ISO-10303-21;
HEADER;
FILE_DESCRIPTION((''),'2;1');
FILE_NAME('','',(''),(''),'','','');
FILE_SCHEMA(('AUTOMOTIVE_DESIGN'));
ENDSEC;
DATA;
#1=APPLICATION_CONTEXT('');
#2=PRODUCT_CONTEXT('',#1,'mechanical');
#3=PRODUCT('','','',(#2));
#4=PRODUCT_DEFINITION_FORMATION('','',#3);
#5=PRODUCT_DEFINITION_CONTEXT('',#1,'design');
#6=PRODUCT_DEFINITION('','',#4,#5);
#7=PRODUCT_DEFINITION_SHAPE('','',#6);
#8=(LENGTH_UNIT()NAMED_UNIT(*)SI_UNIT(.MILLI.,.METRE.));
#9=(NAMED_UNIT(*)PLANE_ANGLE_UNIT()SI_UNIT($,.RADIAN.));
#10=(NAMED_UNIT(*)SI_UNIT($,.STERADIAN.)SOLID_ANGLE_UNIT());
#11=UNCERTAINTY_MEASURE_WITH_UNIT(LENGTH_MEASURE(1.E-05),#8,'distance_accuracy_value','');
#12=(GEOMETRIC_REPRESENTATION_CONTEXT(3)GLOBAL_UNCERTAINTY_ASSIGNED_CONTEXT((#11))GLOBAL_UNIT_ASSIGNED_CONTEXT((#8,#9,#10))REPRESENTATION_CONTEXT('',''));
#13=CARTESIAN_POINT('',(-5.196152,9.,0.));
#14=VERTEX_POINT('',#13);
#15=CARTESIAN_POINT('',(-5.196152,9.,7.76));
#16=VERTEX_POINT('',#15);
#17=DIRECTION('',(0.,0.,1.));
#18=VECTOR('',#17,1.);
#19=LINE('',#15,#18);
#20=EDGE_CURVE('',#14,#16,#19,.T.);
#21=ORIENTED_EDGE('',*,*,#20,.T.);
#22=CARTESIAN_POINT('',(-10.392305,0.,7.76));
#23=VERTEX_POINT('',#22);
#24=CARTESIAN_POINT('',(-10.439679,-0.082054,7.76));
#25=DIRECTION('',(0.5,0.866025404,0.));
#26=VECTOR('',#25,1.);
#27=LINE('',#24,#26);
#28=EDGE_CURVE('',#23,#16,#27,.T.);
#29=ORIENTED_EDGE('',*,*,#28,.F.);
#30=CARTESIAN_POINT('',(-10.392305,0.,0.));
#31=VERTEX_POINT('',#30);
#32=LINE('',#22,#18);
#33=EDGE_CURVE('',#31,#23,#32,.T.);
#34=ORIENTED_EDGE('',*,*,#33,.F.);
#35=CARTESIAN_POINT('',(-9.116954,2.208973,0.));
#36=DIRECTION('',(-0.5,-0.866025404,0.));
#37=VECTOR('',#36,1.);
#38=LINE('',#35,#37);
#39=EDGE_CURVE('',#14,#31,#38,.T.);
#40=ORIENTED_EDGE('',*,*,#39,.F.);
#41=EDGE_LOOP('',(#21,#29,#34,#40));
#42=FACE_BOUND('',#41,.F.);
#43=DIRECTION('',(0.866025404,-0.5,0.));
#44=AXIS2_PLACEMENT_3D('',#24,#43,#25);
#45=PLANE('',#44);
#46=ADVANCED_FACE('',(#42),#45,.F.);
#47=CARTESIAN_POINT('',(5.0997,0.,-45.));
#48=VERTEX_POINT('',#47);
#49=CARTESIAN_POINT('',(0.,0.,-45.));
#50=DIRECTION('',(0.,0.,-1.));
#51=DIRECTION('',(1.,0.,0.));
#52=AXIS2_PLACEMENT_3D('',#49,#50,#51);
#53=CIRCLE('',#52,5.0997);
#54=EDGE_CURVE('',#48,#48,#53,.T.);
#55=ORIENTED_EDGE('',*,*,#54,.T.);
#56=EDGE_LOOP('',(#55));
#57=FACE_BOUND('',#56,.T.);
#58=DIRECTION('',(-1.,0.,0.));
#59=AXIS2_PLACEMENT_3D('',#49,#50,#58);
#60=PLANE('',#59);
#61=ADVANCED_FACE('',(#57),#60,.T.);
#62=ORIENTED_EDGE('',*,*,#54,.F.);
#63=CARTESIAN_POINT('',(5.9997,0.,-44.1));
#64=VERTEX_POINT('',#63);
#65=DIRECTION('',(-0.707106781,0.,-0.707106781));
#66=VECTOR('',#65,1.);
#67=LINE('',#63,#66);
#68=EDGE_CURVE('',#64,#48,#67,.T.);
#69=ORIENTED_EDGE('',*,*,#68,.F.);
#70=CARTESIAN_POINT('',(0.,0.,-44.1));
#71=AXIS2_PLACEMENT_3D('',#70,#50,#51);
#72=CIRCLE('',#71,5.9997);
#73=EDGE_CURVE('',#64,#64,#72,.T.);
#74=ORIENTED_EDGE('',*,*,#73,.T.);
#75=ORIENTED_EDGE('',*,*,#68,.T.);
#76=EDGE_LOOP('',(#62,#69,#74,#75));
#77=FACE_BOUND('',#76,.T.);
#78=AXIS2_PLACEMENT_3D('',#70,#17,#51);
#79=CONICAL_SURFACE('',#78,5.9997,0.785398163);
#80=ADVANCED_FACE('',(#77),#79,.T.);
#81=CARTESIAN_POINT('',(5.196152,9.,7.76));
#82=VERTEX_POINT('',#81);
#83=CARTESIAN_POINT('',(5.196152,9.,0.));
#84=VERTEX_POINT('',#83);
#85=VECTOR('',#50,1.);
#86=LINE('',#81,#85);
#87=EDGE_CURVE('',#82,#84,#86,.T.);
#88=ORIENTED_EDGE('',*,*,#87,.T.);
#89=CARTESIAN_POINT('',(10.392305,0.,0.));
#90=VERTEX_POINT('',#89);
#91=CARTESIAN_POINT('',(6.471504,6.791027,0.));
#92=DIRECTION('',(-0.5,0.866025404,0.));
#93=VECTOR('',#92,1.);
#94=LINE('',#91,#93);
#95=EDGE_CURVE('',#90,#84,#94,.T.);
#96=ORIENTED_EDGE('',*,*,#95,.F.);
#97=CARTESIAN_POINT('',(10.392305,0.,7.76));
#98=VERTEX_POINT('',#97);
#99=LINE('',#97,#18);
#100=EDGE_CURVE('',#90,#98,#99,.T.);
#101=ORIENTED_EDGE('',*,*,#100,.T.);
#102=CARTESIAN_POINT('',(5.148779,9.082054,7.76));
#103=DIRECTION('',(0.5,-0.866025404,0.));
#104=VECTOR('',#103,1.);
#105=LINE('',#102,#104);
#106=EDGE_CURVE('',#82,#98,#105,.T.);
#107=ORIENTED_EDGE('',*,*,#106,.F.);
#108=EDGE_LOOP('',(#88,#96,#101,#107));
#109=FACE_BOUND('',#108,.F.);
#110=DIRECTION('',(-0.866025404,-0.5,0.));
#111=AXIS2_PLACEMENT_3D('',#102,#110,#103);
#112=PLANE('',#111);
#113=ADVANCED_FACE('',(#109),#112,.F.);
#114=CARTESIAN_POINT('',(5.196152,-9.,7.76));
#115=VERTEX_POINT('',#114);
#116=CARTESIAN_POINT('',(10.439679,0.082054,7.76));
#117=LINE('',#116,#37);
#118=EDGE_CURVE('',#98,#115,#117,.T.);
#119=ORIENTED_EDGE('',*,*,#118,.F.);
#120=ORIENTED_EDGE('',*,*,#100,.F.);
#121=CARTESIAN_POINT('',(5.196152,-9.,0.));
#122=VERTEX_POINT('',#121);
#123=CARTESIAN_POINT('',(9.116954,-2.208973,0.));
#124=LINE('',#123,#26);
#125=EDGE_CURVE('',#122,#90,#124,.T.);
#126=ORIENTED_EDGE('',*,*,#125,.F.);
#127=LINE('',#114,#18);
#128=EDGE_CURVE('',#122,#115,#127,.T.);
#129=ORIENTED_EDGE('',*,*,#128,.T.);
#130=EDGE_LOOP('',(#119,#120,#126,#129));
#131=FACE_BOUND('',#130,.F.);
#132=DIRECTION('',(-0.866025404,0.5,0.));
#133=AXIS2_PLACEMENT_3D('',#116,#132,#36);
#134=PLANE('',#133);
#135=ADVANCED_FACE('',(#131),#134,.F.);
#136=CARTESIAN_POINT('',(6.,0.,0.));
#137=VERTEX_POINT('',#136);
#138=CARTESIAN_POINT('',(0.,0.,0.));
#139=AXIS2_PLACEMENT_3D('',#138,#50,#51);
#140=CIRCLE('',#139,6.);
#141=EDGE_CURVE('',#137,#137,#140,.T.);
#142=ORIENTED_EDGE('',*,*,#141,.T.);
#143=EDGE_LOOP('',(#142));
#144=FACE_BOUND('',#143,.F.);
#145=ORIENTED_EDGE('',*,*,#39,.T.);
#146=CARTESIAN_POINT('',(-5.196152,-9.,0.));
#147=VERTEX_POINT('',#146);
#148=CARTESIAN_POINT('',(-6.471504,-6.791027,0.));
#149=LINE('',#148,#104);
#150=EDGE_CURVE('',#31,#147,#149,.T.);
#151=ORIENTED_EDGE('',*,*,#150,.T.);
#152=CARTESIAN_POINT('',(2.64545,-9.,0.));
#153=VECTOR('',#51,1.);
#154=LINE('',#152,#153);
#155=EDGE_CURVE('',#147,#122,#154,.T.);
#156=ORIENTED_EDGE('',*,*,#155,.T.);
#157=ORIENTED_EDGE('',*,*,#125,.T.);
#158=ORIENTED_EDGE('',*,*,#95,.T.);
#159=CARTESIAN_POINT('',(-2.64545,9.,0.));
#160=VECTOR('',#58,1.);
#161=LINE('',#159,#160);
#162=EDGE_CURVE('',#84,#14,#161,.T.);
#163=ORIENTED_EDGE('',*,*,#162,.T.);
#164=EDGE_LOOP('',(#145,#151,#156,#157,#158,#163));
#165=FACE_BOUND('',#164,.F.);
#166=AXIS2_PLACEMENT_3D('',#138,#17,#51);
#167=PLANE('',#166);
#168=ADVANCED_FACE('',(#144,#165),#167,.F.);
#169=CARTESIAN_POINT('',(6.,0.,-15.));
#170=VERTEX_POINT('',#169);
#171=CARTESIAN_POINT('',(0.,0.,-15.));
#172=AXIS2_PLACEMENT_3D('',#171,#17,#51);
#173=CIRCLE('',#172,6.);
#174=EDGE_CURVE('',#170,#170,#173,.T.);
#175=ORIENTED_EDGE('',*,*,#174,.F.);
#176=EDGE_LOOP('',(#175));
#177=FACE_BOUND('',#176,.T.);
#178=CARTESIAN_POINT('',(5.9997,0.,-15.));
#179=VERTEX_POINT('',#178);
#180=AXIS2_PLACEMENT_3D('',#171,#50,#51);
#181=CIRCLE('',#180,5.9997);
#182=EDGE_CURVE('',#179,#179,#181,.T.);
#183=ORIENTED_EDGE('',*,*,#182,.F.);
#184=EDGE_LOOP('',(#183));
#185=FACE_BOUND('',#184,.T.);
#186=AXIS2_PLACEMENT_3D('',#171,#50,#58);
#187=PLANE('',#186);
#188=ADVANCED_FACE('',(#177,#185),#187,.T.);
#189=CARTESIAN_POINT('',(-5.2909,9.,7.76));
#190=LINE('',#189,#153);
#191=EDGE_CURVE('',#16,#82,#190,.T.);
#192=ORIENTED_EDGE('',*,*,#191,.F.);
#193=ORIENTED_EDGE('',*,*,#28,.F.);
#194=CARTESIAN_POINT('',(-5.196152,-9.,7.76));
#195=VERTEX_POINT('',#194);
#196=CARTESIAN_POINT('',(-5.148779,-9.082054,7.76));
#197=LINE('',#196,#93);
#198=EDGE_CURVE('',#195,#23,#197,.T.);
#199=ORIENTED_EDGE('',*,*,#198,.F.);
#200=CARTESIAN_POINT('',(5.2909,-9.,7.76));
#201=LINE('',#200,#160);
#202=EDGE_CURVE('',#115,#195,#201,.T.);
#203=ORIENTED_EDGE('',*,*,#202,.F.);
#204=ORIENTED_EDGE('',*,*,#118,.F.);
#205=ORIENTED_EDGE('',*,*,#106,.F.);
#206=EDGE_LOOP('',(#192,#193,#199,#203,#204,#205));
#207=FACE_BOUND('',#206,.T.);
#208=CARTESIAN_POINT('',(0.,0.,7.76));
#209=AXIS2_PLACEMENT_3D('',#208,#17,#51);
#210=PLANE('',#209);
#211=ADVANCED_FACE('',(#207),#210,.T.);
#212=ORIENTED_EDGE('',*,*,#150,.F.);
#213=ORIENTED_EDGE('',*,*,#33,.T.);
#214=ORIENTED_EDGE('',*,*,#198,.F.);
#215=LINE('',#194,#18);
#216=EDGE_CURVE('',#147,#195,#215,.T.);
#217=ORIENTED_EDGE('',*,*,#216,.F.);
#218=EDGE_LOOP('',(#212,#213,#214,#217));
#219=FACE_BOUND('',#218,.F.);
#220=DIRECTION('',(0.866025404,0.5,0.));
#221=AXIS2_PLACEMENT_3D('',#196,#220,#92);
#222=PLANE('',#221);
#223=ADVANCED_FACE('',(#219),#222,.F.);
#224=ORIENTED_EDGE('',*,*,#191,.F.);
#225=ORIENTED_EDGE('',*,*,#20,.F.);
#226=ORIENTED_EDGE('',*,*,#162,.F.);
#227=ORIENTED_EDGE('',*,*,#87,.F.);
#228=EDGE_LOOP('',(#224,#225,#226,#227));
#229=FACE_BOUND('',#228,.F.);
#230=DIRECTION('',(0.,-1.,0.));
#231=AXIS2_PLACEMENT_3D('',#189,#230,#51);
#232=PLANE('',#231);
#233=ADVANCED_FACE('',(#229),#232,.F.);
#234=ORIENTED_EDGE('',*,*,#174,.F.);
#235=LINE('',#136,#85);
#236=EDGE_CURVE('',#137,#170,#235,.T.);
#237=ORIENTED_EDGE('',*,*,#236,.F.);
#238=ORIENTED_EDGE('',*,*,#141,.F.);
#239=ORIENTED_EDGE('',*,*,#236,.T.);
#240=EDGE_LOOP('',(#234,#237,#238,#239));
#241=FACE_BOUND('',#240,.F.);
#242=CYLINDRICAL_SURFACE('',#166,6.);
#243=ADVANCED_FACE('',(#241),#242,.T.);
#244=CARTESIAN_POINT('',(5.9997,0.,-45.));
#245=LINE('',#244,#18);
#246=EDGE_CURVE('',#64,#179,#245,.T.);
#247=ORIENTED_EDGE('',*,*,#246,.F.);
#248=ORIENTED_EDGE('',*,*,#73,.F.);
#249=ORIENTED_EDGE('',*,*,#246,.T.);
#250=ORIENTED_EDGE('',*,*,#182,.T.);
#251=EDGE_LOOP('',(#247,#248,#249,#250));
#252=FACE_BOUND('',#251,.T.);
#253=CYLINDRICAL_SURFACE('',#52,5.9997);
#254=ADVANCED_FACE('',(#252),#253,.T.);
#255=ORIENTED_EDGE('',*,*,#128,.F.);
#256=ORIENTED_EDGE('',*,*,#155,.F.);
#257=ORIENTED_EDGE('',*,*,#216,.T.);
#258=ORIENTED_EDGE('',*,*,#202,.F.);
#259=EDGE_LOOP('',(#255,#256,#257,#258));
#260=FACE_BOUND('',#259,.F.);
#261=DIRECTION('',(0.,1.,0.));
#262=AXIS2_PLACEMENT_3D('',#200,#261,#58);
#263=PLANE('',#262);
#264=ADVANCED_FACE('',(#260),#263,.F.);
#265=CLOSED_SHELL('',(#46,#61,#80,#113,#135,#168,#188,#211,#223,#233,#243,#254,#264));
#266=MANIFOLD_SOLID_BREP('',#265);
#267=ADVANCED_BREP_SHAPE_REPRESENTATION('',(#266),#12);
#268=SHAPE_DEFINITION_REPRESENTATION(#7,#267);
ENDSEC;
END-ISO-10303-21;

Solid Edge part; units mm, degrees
sketch "Sketch1" plane through (0, 0, 0) normal (0, 0, 1) x (1, 0, 0)
  circle A0 centre (0, 0) radius 10.44
  dimension "D1" = 20.88
extrude "Protrusion1" add sketch "Sketch1" along normal blind 7.76
sketch "Sketch2" plane through (0, 0, 0) normal (0, 0, -1) x (1, 0, 0)
  circle A0 centre (0, 0) radius 6
extrude "Protrusion2" add sketch "Sketch2" along normal blind 45
sketch "Sketch3" plane through (0, 0, -45) normal (0, 0, -1) x (1, 0, 0)
  circle A0 centre (0, 0) radius 5.9997
extrude "Cutout1" cut sketch "Sketch3" against normal blind 30 flip side to cut
chamfer "Chamfer_1" distance 0.9 angle 45 1 edges at (-5.9997, 0, -45)
sketch "Sketch4" plane through (0, 0, 7.76) normal (0, 0, 1) x (1, 0, 0)
  line L0 (-5.2909, 9) -> (5.2909, 9)
  dimension "D1" = 18
extrude "Cutout2" cut sketch "Sketch4" against normal up to next material side at (0, 9.05, 7.76)
pattern_circular "Pattern1" count 6 over 360 about axis through (0, 0, 7.76) along (0, 0, 1) of "Cutout2"
properties part number "119586" material "Steel"
